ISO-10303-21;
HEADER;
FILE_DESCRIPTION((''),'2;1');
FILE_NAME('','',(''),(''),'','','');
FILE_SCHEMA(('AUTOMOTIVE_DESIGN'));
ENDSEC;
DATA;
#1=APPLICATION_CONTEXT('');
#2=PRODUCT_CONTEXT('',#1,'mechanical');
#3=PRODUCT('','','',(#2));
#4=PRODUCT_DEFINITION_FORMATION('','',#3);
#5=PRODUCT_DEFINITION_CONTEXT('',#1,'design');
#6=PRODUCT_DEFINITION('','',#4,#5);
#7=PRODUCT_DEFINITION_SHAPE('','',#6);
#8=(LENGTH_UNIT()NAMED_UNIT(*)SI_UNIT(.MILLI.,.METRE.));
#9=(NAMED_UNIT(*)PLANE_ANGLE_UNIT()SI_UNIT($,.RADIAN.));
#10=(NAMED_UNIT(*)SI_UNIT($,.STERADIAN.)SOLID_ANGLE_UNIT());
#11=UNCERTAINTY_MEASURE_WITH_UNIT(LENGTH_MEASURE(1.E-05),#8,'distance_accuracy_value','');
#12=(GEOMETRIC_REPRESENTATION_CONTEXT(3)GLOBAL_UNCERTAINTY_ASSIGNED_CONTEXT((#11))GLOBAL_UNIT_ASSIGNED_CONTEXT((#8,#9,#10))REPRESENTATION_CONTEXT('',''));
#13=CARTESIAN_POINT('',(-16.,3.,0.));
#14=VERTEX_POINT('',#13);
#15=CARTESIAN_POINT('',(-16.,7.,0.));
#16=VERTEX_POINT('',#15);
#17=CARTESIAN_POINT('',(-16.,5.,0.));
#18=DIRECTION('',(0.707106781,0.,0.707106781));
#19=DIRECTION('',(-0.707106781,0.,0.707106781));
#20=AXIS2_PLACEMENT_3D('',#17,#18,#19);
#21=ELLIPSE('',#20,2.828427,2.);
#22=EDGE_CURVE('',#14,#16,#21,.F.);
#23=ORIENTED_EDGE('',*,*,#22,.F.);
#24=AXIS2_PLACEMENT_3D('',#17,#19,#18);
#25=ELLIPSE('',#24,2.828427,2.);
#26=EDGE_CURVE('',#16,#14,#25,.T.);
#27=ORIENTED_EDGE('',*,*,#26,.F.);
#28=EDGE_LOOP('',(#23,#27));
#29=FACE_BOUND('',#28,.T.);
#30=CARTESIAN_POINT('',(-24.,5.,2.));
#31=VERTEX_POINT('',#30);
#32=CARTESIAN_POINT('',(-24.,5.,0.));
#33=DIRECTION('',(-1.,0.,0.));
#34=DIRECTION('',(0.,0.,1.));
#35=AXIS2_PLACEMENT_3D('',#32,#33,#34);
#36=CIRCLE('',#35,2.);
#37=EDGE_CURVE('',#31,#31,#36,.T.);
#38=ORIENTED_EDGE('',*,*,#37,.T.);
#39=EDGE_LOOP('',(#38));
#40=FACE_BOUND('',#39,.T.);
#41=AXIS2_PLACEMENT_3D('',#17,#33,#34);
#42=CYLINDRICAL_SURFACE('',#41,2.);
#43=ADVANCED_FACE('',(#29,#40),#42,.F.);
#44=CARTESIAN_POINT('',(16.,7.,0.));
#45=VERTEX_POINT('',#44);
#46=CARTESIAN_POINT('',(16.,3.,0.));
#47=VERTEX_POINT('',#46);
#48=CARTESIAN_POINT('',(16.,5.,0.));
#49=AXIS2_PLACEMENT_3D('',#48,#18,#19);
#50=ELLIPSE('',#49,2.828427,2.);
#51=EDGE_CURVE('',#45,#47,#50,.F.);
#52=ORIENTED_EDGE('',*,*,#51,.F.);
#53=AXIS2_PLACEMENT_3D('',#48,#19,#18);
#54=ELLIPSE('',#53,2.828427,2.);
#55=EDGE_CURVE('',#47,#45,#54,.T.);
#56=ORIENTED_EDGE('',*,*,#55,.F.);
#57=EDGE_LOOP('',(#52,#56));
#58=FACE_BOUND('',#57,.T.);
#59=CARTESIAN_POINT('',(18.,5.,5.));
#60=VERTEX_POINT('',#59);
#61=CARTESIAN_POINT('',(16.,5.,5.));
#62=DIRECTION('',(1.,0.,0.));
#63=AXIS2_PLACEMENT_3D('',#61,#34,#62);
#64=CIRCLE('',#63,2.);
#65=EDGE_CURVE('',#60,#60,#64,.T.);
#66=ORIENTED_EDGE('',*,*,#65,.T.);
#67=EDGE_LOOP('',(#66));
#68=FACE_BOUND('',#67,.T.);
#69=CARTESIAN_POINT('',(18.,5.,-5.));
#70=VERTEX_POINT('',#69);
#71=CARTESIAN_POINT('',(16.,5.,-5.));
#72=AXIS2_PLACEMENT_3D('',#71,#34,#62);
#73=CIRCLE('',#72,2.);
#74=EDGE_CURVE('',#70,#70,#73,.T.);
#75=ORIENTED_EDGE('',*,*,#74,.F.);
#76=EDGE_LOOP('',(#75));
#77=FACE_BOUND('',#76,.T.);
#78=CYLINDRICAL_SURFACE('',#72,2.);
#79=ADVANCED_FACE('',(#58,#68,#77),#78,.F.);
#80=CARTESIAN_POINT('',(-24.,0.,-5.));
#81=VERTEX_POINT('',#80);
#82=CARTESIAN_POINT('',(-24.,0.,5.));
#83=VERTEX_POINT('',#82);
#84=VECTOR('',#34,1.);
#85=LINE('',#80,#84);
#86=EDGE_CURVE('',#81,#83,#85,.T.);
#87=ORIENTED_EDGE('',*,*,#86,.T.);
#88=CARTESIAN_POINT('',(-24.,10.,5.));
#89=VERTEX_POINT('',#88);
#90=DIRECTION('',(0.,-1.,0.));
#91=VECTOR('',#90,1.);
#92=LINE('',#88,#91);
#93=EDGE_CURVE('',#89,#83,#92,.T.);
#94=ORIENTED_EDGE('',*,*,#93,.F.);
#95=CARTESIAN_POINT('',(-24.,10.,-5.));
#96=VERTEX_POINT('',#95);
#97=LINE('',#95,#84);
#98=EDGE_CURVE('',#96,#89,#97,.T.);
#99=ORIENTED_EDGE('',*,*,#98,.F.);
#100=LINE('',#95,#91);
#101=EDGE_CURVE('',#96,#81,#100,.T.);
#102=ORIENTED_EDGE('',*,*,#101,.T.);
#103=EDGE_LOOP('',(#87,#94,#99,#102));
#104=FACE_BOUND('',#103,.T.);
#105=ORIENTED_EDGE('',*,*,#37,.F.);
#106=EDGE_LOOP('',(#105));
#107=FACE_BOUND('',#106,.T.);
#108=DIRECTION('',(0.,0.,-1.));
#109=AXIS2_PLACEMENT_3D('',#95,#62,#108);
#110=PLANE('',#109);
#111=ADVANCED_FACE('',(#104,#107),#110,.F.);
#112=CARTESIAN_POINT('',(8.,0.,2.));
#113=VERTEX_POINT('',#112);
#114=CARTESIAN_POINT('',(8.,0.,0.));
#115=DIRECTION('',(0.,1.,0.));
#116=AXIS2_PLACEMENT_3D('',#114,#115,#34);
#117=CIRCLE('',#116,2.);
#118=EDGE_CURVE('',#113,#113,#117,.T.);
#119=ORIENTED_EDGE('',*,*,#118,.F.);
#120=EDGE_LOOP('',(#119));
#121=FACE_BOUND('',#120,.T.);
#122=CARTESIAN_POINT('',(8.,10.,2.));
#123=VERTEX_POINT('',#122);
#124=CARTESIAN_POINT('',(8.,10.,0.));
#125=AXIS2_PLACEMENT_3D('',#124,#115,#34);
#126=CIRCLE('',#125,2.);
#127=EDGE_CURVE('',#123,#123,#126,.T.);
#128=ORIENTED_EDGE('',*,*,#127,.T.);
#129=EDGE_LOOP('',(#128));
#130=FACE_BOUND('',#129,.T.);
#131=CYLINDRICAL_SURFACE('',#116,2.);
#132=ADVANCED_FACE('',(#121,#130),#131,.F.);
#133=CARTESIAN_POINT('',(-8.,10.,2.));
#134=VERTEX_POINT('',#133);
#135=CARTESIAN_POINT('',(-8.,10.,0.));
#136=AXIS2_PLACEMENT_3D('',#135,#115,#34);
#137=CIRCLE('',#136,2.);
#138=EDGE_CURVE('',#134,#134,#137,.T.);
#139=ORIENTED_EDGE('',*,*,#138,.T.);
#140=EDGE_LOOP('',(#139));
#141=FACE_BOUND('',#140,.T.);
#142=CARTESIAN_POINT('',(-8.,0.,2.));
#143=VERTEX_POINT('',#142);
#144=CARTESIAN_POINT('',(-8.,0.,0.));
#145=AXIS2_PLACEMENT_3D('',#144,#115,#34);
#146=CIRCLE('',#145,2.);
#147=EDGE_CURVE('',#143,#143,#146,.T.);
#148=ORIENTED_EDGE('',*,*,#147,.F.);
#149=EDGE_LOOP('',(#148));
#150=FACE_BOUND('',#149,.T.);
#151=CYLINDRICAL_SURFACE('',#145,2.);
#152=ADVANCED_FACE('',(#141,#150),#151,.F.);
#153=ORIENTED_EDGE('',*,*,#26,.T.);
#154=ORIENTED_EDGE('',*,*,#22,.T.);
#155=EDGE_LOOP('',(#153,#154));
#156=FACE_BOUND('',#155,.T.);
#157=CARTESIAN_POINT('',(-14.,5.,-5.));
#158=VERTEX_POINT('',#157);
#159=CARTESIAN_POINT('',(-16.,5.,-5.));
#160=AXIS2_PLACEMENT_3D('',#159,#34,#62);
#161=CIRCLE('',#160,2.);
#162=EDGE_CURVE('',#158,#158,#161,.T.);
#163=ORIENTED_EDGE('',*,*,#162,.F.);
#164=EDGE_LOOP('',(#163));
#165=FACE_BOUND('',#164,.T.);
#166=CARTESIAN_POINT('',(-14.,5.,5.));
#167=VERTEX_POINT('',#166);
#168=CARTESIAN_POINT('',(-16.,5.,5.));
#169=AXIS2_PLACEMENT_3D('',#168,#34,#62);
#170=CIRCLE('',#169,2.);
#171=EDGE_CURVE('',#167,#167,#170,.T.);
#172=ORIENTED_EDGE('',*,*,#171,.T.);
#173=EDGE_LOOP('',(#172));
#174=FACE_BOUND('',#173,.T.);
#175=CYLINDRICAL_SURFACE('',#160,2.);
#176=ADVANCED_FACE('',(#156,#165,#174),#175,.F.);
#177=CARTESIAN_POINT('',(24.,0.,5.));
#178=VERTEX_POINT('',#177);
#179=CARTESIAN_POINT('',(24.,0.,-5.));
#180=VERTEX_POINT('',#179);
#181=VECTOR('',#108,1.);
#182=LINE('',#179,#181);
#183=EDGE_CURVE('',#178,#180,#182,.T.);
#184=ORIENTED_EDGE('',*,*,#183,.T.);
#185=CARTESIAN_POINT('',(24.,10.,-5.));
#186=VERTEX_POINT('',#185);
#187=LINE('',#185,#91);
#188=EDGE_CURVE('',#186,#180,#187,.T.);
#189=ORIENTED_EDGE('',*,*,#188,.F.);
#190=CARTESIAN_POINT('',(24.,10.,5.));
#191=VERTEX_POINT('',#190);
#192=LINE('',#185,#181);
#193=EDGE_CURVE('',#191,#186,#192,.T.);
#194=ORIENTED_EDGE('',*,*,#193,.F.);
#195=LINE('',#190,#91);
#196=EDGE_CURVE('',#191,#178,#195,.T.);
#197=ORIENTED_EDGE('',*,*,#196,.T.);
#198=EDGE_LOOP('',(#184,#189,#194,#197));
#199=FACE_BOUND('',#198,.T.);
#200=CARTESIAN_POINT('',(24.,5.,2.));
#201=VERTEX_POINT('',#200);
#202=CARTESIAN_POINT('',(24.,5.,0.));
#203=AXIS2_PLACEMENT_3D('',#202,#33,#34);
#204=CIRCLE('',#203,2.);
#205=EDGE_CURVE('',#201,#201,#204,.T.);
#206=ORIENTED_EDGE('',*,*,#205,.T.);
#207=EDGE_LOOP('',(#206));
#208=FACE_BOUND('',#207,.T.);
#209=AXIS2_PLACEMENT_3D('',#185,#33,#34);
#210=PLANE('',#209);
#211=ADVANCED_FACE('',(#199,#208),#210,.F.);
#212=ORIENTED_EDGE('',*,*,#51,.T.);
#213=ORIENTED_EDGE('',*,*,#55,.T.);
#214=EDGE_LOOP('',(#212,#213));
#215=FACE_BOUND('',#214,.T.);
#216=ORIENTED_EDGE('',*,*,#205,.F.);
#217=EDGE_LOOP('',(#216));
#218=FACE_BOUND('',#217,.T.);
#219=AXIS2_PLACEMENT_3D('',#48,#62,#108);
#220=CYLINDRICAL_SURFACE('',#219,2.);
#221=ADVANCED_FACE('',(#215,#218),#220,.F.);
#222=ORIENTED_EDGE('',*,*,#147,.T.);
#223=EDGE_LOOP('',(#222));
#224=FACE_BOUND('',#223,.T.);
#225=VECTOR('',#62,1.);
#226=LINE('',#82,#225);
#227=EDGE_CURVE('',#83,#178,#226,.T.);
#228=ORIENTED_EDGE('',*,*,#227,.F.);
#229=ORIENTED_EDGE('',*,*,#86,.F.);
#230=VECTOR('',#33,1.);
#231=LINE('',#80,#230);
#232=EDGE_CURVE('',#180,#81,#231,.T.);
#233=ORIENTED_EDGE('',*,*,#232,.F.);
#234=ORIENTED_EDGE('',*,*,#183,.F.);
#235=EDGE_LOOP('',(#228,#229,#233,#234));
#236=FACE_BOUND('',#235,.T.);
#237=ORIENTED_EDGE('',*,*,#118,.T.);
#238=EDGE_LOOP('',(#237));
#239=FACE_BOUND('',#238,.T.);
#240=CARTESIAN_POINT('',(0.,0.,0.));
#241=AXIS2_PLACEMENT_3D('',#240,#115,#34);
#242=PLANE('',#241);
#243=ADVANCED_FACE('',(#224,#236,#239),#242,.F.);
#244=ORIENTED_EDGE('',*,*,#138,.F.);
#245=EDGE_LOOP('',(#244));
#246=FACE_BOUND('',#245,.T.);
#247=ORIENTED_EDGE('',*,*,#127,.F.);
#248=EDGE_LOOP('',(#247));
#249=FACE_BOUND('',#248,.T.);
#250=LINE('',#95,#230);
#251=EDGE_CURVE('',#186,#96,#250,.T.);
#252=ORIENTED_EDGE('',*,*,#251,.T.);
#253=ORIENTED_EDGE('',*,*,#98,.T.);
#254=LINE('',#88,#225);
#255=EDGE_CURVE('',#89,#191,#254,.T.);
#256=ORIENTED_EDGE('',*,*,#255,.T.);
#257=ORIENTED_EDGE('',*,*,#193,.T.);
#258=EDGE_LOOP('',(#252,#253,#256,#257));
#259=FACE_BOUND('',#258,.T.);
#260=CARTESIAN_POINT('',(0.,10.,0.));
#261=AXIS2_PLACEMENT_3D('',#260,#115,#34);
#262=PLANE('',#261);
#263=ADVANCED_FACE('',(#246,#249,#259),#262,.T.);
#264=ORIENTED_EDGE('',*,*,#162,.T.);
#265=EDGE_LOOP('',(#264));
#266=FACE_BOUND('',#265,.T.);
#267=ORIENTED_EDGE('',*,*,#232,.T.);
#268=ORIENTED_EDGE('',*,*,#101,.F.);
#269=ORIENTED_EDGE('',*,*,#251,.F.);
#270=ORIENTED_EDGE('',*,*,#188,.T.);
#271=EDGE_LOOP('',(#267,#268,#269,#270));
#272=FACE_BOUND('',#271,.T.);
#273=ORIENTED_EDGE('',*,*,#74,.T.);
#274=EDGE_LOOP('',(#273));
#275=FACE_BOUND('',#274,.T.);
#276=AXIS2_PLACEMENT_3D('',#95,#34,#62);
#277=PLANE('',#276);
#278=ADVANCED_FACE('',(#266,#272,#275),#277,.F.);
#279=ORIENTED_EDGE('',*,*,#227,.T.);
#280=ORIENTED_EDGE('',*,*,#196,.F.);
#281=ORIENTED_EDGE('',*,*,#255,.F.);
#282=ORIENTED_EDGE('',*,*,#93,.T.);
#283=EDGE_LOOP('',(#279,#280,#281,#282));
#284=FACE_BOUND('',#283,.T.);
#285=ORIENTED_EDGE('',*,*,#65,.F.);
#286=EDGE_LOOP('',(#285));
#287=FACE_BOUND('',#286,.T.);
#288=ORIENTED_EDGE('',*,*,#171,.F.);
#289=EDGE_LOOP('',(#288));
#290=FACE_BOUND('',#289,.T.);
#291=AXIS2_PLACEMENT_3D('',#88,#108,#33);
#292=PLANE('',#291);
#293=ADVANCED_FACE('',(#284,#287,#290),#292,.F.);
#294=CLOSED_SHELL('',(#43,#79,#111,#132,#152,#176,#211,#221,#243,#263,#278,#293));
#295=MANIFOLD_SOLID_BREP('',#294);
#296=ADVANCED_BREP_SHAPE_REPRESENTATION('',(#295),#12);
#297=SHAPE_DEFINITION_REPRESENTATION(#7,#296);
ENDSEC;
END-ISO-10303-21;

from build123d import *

# Parameters (mm, degrees)
SKETCH_1_W          = 48
SKETCH_1_H          = 10
EXTRUDE_1_DEPTH     = 10
SKETCH_2_R          = 2
CUT_EXTRUDE_1_DEPTH = 10
SKETCH_3_R          = 2
CUT_EXTRUDE_2_DEPTH = 10
SKETCH_4_R          = 2
CUT_EXTRUDE_3_DEPTH = 8


with BuildPart() as part:
    # 草图1 → 凸台-拉伸1 (new body)
    with BuildSketch(Plane(origin=(0, 0, 0), x_dir=(1, 0, 0), z_dir=(0, 1, 0))):
        Rectangle(SKETCH_1_W, SKETCH_1_H)
    extrude(amount=EXTRUDE_1_DEPTH)

    # 草图2 → 切除-拉伸1 (cut)
    with BuildSketch(Plane.XY.offset(5)):
        with Locations((-16, 5)):
            Circle(SKETCH_2_R)
        with Locations((16, 5)):
            Circle(SKETCH_2_R)
    extrude(amount=-CUT_EXTRUDE_1_DEPTH, mode=Mode.SUBTRACT)

    # 草图3 → 切除-拉伸2 (cut)
    with BuildSketch(Plane(origin=(0, 10, 0), x_dir=(1, 0, 0), z_dir=(0, 1, 0))):
        with Locations(Location((-8, 0, 0), (0, 0, 270))):
            Circle(SKETCH_3_R)
        with Locations(Location((8, 0, 0), (0, 0, 270))):
            Circle(SKETCH_3_R)
    extrude(amount=-CUT_EXTRUDE_2_DEPTH, mode=Mode.SUBTRACT)

    # 草图4 → 切除-拉伸3 (cut)
    with BuildSketch(Plane.ZY.offset(24)):
        with Locations((0, 5)):
            Circle(SKETCH_4_R)
    cut_extrude_3 = extrude(amount=-CUT_EXTRUDE_3_DEPTH, mode=Mode.SUBTRACT)

    # 镜向1: 切除-拉伸3 across plane
    add(cut_extrude_3.mirror(Plane(origin=(0, 0, 0), x_dir=(0, 0, 1), z_dir=(1, 0, 0))), mode=Mode.SUBTRACT)


solid = part.part
